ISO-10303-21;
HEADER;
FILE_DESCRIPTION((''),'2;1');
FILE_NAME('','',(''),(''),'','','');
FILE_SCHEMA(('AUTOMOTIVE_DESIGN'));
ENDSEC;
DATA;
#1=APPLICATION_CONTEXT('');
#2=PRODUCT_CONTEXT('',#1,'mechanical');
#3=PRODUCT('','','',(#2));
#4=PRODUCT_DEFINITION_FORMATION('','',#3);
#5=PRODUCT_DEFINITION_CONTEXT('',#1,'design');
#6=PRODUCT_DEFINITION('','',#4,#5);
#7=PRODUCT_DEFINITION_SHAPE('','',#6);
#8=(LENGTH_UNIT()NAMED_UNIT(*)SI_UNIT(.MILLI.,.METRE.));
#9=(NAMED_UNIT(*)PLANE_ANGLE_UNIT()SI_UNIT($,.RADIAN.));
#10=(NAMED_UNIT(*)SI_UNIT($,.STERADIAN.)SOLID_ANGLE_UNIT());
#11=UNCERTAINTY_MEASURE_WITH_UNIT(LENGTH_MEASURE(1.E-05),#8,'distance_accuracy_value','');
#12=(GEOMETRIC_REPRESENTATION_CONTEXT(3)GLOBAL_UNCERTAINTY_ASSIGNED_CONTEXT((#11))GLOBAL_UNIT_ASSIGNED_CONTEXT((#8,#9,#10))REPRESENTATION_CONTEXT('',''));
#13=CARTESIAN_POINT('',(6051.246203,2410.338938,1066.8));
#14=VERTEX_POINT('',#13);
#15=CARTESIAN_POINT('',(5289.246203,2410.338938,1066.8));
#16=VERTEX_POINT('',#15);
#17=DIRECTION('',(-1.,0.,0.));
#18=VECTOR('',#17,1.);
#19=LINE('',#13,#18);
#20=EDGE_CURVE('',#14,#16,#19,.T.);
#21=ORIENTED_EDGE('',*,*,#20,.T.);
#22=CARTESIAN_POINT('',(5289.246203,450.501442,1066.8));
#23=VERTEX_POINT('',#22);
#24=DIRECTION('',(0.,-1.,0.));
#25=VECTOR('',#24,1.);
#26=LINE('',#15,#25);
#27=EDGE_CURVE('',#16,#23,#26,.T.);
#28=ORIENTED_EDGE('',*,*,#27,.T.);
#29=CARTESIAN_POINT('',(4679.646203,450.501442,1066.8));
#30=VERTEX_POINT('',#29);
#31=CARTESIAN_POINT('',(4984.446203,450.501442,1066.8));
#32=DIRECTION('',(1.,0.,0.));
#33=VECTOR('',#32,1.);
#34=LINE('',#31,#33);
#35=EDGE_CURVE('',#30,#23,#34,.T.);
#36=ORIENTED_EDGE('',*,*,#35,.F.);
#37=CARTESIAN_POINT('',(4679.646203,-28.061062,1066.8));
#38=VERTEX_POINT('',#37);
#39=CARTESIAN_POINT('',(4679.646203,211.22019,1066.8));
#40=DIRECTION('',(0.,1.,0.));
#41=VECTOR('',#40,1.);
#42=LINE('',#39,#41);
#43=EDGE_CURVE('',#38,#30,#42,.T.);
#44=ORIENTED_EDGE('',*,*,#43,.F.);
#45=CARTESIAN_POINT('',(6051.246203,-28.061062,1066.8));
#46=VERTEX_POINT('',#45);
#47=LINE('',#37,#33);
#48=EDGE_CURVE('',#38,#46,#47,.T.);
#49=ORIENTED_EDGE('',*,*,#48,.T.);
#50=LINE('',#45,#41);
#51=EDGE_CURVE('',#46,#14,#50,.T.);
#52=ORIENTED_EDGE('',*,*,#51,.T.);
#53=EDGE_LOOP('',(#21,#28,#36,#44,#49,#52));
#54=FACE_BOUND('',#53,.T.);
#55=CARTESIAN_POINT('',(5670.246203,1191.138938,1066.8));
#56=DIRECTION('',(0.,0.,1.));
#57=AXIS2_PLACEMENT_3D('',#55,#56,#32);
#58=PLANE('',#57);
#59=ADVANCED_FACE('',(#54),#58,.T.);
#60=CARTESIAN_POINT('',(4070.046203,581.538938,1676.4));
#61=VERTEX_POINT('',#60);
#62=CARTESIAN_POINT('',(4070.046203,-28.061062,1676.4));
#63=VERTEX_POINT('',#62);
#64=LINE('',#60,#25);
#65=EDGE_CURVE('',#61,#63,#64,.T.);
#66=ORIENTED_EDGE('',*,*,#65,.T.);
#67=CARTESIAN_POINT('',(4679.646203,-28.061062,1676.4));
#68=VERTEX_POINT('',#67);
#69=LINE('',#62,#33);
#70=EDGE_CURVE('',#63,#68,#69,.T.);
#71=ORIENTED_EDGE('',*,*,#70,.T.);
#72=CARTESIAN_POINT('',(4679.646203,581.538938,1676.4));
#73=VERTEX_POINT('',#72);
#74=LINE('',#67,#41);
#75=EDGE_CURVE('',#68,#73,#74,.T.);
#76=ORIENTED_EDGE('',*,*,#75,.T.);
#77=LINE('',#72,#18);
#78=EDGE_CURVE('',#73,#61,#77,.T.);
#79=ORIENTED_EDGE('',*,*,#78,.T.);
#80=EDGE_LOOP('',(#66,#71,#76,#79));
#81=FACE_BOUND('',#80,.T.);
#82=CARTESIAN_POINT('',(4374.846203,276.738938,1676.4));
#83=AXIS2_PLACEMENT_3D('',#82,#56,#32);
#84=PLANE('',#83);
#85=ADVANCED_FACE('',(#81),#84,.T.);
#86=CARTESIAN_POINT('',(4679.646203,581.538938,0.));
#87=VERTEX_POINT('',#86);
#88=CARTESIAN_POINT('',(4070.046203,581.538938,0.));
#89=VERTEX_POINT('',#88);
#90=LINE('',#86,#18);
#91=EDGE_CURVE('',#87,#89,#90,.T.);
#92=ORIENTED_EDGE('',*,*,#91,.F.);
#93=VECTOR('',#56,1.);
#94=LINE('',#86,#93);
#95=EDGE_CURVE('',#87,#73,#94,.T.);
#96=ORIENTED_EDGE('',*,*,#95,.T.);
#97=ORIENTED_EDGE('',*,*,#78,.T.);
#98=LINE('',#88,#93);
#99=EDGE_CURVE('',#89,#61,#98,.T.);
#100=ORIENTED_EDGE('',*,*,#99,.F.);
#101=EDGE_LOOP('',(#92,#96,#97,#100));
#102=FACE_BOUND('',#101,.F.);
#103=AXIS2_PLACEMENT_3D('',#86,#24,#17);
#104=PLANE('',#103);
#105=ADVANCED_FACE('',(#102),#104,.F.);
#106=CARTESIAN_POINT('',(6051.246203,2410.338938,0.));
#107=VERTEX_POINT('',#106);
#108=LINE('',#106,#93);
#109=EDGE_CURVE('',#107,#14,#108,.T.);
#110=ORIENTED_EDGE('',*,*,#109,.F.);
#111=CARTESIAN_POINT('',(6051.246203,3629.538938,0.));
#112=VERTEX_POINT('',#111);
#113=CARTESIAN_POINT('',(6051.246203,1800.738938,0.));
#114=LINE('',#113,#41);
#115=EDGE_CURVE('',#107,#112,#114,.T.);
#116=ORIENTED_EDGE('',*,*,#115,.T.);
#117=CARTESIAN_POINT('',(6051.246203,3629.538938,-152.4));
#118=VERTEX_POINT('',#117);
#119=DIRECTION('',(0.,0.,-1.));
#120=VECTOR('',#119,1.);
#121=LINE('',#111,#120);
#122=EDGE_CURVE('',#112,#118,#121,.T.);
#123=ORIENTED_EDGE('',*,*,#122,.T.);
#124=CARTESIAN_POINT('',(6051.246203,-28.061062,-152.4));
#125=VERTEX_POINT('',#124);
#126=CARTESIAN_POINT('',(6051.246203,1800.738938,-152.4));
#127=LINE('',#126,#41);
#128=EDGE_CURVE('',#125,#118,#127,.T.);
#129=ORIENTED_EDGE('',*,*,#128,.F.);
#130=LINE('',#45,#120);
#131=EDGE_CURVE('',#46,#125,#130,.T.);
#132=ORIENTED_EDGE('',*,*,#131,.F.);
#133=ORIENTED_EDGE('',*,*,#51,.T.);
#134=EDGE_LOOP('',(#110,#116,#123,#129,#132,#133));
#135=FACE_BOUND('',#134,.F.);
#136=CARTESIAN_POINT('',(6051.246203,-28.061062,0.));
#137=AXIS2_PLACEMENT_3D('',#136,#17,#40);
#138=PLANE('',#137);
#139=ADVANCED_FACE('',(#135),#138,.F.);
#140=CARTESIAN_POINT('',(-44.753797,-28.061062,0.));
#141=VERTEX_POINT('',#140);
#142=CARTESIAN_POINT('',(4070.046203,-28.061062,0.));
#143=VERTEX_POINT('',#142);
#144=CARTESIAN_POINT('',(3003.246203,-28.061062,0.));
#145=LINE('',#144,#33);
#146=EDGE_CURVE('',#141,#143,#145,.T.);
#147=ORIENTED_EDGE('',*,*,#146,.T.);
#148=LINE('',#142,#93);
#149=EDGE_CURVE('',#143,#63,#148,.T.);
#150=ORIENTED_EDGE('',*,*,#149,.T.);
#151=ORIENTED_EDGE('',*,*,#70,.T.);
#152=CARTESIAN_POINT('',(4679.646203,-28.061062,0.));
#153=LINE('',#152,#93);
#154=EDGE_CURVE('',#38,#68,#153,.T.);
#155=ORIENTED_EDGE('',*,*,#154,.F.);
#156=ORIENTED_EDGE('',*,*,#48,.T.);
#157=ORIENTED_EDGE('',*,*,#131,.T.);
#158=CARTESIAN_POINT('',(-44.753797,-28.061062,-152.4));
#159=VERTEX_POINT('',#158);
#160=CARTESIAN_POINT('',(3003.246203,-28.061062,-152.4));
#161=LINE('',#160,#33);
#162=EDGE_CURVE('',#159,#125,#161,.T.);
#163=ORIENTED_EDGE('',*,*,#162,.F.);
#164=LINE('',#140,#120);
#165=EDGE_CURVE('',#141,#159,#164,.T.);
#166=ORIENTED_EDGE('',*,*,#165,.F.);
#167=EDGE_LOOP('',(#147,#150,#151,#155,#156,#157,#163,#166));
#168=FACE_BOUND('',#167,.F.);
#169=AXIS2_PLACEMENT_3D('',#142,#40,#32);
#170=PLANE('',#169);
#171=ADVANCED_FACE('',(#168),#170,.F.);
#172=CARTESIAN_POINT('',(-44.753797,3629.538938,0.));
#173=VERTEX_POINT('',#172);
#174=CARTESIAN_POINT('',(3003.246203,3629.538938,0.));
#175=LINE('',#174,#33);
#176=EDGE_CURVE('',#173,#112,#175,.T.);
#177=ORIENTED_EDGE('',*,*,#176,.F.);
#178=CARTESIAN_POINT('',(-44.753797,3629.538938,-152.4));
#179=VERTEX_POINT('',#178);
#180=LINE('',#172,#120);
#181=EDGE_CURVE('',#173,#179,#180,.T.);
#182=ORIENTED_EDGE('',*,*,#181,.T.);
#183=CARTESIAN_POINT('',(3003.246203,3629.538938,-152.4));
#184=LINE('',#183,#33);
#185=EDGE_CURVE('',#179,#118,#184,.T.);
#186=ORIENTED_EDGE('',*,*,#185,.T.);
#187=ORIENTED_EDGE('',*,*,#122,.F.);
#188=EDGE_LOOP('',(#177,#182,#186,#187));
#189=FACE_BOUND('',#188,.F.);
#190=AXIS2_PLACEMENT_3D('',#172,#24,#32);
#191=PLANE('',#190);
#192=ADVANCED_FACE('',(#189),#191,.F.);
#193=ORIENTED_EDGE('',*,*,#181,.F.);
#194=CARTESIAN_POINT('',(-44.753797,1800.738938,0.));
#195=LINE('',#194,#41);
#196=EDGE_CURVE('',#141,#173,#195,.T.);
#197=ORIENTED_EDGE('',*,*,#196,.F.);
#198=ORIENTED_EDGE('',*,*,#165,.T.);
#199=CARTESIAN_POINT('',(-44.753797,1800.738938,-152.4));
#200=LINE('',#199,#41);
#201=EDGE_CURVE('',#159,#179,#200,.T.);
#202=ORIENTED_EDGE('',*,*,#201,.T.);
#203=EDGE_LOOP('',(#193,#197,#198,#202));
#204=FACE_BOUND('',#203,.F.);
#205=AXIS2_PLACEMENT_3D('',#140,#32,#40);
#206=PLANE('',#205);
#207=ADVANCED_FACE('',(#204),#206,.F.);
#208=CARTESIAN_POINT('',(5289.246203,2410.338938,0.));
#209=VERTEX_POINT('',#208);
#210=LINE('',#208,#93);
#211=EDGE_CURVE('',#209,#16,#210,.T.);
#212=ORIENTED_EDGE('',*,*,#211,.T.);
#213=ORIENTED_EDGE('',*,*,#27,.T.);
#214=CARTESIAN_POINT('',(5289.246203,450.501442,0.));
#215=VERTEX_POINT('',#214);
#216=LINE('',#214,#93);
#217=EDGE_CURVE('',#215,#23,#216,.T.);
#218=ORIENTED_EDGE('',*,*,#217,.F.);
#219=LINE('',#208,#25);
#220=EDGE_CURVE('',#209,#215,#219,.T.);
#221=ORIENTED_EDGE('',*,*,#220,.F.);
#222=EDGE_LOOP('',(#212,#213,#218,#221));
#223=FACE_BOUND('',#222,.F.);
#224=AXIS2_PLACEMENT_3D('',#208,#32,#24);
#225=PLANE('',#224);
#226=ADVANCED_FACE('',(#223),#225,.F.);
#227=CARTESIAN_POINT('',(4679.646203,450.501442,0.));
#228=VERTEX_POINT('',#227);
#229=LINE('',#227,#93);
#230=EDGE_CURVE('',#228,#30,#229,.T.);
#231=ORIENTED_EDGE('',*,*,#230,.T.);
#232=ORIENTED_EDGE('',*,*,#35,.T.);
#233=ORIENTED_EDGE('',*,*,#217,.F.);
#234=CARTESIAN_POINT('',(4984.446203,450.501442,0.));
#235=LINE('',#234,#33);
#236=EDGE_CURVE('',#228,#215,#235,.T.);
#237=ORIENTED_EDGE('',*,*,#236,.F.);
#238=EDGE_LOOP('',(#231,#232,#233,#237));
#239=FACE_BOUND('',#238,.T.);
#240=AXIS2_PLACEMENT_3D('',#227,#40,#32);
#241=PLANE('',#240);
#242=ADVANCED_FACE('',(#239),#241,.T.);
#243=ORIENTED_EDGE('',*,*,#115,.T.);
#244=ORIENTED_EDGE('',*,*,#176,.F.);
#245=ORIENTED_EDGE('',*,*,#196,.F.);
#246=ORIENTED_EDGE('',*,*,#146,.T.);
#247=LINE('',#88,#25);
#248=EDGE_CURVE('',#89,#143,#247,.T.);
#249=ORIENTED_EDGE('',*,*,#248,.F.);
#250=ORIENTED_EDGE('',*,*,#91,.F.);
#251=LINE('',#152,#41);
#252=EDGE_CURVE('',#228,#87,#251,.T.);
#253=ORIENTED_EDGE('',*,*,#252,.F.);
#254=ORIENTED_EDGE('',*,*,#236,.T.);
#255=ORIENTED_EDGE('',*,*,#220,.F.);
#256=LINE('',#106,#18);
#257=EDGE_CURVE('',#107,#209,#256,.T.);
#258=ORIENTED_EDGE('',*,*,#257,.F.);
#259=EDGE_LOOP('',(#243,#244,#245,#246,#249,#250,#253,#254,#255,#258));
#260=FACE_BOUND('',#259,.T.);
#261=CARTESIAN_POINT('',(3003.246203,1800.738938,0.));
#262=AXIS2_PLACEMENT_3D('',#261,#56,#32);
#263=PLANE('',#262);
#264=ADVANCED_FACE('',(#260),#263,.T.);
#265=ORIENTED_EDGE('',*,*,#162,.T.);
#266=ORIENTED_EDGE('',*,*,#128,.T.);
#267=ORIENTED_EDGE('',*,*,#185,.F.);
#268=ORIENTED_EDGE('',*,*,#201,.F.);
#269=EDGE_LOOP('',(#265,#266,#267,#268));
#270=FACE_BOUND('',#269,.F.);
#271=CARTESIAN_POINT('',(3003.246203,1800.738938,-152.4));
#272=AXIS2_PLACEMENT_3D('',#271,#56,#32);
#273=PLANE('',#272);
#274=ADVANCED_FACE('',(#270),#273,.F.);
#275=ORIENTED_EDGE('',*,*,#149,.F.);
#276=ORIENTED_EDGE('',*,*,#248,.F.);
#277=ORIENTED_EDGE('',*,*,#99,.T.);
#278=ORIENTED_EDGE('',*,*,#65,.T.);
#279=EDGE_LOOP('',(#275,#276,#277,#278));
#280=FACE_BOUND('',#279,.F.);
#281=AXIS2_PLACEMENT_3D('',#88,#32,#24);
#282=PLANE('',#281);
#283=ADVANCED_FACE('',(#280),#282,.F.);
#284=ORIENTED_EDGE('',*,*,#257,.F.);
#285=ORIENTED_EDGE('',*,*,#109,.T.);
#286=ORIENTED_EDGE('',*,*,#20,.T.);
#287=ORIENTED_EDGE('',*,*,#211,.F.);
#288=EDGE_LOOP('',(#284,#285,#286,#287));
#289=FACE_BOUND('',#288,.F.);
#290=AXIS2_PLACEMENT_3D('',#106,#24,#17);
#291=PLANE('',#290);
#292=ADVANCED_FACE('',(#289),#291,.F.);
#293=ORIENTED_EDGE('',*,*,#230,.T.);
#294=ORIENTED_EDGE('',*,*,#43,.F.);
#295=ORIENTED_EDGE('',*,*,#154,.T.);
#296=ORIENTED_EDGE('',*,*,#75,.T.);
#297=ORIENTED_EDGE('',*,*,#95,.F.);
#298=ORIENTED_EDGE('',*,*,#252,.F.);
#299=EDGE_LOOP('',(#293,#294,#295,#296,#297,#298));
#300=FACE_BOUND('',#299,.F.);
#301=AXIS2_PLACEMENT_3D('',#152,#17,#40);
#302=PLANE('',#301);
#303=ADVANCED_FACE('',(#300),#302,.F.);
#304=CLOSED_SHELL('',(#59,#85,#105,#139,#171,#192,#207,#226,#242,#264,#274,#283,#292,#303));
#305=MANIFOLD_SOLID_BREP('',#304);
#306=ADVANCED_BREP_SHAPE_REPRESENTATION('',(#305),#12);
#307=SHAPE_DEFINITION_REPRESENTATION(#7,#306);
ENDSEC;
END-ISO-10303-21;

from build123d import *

# Parameters (mm, degrees)
F0_W     = 6096
F0_H     = 3657.6
F1_DEPTH = 152.4
F2_W     = 609.6
F2_H     = 478.562504
F3_DEPTH = 1066.8
F4_DEPTH = 1676.4


with BuildPart() as f1:
    # F0 (on Top) → F1 (new body)
    with BuildSketch(Plane.XY):
        with Locations((3003.246203, 1800.738938)):
            Rectangle(F0_W, F0_H)
    extrude(amount=-F1_DEPTH)

    # F2 (on face) → F3 (join)
    with BuildSketch(Plane.XY):
        Polygon((6051.246203, -28.061062), (6051.246203, 2410.338938), (5289.246203, 2410.338938), (5289.246203, 450.501442), (5289.246203, -28.061062), align=None)
        with Locations((4984.446203, 211.22019)):
            Rectangle(F2_W, F2_H)
    extrude(amount=F3_DEPTH)

    # F2 (on face) → F4 (join)
    with BuildSketch(Plane.XY):
        Polygon((4070.046203, 581.538938), (4070.046203, -28.061062), (4679.646203, -28.061062), (4679.646203, 450.501442), (4679.646203, 581.538938), align=None)
    extrude(amount=F4_DEPTH)


solid = f1.part
